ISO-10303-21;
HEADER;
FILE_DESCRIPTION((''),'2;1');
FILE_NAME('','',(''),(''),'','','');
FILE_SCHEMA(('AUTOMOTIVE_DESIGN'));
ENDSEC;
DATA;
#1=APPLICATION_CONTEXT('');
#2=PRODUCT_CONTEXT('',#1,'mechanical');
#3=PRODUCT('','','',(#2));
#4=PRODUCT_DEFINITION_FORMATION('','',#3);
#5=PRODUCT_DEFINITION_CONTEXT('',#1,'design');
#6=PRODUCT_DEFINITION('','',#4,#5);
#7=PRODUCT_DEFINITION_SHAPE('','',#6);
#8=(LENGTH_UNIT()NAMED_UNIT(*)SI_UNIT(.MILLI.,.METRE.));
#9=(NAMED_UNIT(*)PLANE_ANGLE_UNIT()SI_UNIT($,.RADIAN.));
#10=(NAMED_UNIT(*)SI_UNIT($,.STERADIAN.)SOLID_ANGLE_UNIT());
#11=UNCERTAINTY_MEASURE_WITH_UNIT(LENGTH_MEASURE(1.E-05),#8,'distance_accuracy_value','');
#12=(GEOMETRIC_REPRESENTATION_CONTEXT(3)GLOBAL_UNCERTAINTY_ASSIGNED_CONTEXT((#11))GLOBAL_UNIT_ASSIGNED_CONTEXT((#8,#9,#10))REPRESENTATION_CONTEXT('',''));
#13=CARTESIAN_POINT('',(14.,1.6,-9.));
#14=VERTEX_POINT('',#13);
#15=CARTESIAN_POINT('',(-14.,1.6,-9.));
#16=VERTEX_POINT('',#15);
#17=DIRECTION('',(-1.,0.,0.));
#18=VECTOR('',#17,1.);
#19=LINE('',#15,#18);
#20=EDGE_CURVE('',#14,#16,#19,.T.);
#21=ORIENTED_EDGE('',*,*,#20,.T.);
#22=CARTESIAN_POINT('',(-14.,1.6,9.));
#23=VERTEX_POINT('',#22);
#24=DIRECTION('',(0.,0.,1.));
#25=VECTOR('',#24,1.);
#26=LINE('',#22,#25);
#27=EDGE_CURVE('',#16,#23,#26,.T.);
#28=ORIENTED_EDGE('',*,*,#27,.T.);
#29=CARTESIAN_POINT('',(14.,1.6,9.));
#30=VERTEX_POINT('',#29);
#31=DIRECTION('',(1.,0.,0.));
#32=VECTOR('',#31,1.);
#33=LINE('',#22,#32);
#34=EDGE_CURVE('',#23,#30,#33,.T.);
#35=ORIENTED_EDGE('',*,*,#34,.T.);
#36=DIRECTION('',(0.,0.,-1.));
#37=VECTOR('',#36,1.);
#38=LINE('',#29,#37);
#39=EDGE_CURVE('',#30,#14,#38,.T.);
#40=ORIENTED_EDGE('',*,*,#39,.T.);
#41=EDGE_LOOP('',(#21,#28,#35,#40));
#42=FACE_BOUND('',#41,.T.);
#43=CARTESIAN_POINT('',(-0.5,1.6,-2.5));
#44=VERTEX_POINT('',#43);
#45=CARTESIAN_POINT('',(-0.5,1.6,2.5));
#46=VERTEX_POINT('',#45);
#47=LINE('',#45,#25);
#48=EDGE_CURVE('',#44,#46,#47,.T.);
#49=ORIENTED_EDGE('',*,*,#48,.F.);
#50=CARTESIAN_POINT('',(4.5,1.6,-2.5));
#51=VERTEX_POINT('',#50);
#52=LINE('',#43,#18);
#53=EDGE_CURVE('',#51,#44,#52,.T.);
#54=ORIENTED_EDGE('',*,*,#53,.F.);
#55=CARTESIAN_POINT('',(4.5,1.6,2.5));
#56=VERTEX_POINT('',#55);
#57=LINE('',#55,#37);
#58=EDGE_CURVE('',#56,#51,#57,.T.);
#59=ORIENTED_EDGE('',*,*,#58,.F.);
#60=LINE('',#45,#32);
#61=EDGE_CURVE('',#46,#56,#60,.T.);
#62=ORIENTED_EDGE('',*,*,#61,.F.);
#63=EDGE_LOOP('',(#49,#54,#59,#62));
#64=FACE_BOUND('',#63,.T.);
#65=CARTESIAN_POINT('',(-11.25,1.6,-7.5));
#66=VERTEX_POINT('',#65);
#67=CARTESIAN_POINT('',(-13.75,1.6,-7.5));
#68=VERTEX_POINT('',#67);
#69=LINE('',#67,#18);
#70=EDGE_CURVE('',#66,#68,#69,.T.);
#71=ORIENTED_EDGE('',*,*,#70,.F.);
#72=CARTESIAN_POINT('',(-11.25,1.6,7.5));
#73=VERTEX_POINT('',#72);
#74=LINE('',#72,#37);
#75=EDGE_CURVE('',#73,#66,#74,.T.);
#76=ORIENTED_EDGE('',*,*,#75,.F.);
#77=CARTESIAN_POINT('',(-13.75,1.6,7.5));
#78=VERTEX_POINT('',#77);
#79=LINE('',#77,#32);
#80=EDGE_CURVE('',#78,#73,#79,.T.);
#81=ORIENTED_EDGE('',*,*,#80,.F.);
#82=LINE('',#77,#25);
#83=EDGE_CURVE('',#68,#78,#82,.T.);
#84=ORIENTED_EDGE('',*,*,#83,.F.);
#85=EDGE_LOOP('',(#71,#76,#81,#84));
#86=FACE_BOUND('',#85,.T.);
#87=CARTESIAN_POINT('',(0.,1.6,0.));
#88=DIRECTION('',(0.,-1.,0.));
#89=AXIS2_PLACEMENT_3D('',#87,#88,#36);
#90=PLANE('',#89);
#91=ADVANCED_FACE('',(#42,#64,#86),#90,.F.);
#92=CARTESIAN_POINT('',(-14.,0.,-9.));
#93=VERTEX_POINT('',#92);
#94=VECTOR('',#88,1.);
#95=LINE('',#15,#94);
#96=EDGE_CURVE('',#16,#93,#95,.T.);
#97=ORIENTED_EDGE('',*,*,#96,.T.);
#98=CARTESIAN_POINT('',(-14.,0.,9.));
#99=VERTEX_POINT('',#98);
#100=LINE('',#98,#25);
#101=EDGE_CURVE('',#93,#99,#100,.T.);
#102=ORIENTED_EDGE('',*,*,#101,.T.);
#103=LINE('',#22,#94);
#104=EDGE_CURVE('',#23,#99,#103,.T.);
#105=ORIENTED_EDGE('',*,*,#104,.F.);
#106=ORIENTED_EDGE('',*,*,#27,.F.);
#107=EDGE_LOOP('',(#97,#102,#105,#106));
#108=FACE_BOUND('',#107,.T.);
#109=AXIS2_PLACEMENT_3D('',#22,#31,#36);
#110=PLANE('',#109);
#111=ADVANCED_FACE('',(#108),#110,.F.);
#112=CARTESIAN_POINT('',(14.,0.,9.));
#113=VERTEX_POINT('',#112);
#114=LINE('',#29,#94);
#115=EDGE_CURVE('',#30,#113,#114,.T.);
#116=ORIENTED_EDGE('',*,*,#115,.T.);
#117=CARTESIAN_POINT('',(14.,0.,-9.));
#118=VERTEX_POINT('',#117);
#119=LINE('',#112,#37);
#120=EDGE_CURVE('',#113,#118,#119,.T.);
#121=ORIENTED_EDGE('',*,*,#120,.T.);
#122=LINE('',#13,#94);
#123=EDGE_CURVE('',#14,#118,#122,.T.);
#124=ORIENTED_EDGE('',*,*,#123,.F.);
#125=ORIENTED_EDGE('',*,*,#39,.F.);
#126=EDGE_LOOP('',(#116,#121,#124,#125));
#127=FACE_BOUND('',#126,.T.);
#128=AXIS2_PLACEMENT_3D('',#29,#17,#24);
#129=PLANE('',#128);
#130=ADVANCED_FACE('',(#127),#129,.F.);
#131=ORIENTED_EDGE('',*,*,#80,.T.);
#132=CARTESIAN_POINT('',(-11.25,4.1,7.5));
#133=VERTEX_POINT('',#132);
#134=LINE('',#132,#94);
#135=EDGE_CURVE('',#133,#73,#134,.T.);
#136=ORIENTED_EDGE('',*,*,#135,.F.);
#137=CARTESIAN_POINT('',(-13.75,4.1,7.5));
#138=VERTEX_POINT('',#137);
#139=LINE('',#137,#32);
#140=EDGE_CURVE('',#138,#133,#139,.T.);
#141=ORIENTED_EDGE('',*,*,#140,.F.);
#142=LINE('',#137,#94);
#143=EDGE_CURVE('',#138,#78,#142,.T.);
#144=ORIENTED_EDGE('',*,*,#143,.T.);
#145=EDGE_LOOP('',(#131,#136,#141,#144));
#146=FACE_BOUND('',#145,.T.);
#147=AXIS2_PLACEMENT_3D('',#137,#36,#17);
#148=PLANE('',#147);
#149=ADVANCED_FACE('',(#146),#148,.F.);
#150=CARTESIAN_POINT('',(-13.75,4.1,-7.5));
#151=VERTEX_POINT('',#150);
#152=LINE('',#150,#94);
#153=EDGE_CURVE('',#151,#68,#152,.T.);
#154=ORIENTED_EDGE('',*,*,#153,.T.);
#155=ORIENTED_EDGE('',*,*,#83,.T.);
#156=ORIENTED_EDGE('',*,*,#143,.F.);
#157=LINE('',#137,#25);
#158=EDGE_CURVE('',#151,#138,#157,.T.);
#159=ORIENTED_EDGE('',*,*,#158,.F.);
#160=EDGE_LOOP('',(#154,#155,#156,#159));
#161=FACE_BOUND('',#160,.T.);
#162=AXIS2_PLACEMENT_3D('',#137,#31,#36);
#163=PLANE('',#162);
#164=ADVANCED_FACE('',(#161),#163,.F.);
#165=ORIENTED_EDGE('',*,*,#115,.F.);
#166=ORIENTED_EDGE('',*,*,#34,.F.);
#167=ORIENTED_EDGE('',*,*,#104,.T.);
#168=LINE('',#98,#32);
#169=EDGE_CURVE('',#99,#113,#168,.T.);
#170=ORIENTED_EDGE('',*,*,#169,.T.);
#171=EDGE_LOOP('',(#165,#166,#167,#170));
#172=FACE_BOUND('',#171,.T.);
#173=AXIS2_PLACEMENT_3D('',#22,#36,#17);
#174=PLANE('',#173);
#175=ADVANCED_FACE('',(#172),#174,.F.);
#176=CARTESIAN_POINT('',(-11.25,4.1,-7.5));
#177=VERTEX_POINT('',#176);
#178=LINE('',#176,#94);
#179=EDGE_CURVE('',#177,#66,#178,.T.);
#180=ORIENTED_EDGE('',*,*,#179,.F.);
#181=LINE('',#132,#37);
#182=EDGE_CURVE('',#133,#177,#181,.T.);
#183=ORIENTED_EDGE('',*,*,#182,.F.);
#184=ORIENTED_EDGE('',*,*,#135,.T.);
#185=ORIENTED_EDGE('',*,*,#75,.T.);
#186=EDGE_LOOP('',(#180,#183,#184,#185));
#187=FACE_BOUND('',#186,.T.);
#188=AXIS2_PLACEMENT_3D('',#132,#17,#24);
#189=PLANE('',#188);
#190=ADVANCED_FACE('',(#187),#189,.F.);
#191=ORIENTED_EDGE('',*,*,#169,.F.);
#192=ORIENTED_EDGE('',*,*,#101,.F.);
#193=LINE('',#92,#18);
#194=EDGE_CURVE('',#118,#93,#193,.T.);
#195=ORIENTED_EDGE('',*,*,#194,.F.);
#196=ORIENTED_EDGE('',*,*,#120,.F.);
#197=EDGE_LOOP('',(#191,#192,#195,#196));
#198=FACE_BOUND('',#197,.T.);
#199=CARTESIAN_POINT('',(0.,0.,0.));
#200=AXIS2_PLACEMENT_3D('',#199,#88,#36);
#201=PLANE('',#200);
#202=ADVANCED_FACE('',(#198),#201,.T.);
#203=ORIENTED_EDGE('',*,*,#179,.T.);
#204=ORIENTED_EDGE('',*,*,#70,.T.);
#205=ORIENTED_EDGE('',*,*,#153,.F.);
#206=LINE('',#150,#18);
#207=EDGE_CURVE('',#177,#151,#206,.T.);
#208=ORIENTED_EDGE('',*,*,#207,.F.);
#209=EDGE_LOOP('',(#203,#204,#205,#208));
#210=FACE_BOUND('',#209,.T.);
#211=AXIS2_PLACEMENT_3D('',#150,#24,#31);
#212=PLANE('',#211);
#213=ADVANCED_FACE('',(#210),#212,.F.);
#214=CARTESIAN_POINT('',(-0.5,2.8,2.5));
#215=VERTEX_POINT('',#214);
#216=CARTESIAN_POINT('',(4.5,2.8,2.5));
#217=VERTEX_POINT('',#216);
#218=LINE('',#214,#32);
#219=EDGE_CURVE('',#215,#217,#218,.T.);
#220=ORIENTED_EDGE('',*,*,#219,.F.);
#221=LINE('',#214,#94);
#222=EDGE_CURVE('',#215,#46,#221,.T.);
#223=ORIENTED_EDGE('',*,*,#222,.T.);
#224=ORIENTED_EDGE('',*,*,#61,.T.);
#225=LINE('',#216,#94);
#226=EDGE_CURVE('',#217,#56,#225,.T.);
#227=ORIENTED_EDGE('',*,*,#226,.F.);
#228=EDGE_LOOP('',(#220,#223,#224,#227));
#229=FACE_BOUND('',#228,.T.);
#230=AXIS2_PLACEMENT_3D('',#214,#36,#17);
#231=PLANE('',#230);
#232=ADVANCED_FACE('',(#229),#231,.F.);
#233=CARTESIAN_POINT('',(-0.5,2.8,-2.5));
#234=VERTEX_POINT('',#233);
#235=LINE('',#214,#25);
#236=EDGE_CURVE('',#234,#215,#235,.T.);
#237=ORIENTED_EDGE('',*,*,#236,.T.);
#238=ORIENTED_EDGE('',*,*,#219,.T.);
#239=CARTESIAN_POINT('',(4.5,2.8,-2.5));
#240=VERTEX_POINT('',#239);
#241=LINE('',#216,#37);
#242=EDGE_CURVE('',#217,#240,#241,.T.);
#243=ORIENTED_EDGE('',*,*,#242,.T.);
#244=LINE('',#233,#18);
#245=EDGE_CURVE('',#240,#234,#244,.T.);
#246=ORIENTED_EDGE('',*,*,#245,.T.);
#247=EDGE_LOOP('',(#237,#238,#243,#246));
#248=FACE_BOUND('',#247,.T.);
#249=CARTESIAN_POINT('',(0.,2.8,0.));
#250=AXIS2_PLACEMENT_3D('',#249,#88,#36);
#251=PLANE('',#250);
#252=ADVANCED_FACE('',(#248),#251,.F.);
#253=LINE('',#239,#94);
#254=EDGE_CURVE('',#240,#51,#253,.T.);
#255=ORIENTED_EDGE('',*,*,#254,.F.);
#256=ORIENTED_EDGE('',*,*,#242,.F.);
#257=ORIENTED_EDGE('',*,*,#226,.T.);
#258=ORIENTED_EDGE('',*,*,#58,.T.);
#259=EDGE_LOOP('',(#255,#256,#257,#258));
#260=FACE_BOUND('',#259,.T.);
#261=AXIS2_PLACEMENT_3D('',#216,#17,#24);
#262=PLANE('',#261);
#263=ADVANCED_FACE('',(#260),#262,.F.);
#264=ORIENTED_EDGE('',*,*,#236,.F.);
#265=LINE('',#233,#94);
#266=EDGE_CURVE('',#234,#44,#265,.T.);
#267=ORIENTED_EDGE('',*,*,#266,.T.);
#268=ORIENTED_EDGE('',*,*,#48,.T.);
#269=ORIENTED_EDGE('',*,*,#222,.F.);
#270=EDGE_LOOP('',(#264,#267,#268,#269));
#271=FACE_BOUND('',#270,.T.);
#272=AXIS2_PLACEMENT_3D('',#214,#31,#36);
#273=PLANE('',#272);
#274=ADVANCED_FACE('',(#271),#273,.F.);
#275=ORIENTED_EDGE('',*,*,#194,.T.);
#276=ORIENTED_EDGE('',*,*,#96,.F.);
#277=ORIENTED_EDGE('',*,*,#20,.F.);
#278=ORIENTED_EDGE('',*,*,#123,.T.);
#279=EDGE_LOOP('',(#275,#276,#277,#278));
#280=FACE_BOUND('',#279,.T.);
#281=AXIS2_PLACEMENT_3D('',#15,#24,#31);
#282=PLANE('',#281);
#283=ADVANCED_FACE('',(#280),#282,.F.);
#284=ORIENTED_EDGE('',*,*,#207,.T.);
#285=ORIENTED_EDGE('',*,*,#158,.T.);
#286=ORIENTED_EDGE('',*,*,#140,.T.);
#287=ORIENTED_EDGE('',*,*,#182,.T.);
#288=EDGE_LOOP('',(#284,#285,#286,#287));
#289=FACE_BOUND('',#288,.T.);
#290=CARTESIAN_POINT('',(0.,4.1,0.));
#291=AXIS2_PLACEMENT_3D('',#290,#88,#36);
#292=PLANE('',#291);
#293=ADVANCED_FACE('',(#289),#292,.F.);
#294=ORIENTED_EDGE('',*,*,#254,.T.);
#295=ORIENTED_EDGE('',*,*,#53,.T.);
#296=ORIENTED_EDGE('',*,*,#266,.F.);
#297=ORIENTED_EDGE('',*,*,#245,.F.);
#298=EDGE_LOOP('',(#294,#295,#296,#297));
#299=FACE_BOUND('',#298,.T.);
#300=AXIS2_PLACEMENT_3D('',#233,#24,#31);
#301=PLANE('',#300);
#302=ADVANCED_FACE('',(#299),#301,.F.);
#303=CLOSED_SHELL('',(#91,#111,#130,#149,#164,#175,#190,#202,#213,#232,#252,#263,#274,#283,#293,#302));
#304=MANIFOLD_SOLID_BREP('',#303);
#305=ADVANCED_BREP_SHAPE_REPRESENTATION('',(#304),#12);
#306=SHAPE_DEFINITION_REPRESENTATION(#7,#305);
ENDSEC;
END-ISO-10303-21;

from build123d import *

# Parameters (mm, degrees)
SKETCH1_W          = 28
SKETCH1_H          = 18
PCB_DEPTH          = 1.6
ADS1115_CHIP_START = 1.6
SKETCH2_W          = 5
SKETCH2_H          = 5
ADS1115_CHIP_DEPTH = 1.2
HEADER_START       = 1.6
SKETCH3_W          = 2.5
SKETCH3_H          = 15
HEADER_DEPTH       = 2.5


with BuildPart() as part:
    # Sketch1 → PCB (new body)
    with BuildSketch(Plane(origin=(0, 0, 0), x_dir=(1, 0, 0), z_dir=(0, 1, 0))):
        Rectangle(SKETCH1_W, SKETCH1_H)
    extrude(amount=PCB_DEPTH)

    # Sketch2 → ADS1115_Chip (add)
    with BuildSketch(Plane(origin=(0, 0, 0), x_dir=(1, 0, 0), z_dir=(0, 1, 0)).offset(ADS1115_CHIP_START)):
        with Locations((2, 0)):
            Rectangle(SKETCH2_W, SKETCH2_H)
    extrude(amount=ADS1115_CHIP_DEPTH)

    # Sketch3 → Header (add)
    with BuildSketch(Plane(origin=(0, 0, 0), x_dir=(1, 0, 0), z_dir=(0, 1, 0)).offset(HEADER_START)):
        with Locations((-12.5, 0)):
            Rectangle(SKETCH3_W, SKETCH3_H)
    extrude(amount=HEADER_DEPTH)


solid = part.part
